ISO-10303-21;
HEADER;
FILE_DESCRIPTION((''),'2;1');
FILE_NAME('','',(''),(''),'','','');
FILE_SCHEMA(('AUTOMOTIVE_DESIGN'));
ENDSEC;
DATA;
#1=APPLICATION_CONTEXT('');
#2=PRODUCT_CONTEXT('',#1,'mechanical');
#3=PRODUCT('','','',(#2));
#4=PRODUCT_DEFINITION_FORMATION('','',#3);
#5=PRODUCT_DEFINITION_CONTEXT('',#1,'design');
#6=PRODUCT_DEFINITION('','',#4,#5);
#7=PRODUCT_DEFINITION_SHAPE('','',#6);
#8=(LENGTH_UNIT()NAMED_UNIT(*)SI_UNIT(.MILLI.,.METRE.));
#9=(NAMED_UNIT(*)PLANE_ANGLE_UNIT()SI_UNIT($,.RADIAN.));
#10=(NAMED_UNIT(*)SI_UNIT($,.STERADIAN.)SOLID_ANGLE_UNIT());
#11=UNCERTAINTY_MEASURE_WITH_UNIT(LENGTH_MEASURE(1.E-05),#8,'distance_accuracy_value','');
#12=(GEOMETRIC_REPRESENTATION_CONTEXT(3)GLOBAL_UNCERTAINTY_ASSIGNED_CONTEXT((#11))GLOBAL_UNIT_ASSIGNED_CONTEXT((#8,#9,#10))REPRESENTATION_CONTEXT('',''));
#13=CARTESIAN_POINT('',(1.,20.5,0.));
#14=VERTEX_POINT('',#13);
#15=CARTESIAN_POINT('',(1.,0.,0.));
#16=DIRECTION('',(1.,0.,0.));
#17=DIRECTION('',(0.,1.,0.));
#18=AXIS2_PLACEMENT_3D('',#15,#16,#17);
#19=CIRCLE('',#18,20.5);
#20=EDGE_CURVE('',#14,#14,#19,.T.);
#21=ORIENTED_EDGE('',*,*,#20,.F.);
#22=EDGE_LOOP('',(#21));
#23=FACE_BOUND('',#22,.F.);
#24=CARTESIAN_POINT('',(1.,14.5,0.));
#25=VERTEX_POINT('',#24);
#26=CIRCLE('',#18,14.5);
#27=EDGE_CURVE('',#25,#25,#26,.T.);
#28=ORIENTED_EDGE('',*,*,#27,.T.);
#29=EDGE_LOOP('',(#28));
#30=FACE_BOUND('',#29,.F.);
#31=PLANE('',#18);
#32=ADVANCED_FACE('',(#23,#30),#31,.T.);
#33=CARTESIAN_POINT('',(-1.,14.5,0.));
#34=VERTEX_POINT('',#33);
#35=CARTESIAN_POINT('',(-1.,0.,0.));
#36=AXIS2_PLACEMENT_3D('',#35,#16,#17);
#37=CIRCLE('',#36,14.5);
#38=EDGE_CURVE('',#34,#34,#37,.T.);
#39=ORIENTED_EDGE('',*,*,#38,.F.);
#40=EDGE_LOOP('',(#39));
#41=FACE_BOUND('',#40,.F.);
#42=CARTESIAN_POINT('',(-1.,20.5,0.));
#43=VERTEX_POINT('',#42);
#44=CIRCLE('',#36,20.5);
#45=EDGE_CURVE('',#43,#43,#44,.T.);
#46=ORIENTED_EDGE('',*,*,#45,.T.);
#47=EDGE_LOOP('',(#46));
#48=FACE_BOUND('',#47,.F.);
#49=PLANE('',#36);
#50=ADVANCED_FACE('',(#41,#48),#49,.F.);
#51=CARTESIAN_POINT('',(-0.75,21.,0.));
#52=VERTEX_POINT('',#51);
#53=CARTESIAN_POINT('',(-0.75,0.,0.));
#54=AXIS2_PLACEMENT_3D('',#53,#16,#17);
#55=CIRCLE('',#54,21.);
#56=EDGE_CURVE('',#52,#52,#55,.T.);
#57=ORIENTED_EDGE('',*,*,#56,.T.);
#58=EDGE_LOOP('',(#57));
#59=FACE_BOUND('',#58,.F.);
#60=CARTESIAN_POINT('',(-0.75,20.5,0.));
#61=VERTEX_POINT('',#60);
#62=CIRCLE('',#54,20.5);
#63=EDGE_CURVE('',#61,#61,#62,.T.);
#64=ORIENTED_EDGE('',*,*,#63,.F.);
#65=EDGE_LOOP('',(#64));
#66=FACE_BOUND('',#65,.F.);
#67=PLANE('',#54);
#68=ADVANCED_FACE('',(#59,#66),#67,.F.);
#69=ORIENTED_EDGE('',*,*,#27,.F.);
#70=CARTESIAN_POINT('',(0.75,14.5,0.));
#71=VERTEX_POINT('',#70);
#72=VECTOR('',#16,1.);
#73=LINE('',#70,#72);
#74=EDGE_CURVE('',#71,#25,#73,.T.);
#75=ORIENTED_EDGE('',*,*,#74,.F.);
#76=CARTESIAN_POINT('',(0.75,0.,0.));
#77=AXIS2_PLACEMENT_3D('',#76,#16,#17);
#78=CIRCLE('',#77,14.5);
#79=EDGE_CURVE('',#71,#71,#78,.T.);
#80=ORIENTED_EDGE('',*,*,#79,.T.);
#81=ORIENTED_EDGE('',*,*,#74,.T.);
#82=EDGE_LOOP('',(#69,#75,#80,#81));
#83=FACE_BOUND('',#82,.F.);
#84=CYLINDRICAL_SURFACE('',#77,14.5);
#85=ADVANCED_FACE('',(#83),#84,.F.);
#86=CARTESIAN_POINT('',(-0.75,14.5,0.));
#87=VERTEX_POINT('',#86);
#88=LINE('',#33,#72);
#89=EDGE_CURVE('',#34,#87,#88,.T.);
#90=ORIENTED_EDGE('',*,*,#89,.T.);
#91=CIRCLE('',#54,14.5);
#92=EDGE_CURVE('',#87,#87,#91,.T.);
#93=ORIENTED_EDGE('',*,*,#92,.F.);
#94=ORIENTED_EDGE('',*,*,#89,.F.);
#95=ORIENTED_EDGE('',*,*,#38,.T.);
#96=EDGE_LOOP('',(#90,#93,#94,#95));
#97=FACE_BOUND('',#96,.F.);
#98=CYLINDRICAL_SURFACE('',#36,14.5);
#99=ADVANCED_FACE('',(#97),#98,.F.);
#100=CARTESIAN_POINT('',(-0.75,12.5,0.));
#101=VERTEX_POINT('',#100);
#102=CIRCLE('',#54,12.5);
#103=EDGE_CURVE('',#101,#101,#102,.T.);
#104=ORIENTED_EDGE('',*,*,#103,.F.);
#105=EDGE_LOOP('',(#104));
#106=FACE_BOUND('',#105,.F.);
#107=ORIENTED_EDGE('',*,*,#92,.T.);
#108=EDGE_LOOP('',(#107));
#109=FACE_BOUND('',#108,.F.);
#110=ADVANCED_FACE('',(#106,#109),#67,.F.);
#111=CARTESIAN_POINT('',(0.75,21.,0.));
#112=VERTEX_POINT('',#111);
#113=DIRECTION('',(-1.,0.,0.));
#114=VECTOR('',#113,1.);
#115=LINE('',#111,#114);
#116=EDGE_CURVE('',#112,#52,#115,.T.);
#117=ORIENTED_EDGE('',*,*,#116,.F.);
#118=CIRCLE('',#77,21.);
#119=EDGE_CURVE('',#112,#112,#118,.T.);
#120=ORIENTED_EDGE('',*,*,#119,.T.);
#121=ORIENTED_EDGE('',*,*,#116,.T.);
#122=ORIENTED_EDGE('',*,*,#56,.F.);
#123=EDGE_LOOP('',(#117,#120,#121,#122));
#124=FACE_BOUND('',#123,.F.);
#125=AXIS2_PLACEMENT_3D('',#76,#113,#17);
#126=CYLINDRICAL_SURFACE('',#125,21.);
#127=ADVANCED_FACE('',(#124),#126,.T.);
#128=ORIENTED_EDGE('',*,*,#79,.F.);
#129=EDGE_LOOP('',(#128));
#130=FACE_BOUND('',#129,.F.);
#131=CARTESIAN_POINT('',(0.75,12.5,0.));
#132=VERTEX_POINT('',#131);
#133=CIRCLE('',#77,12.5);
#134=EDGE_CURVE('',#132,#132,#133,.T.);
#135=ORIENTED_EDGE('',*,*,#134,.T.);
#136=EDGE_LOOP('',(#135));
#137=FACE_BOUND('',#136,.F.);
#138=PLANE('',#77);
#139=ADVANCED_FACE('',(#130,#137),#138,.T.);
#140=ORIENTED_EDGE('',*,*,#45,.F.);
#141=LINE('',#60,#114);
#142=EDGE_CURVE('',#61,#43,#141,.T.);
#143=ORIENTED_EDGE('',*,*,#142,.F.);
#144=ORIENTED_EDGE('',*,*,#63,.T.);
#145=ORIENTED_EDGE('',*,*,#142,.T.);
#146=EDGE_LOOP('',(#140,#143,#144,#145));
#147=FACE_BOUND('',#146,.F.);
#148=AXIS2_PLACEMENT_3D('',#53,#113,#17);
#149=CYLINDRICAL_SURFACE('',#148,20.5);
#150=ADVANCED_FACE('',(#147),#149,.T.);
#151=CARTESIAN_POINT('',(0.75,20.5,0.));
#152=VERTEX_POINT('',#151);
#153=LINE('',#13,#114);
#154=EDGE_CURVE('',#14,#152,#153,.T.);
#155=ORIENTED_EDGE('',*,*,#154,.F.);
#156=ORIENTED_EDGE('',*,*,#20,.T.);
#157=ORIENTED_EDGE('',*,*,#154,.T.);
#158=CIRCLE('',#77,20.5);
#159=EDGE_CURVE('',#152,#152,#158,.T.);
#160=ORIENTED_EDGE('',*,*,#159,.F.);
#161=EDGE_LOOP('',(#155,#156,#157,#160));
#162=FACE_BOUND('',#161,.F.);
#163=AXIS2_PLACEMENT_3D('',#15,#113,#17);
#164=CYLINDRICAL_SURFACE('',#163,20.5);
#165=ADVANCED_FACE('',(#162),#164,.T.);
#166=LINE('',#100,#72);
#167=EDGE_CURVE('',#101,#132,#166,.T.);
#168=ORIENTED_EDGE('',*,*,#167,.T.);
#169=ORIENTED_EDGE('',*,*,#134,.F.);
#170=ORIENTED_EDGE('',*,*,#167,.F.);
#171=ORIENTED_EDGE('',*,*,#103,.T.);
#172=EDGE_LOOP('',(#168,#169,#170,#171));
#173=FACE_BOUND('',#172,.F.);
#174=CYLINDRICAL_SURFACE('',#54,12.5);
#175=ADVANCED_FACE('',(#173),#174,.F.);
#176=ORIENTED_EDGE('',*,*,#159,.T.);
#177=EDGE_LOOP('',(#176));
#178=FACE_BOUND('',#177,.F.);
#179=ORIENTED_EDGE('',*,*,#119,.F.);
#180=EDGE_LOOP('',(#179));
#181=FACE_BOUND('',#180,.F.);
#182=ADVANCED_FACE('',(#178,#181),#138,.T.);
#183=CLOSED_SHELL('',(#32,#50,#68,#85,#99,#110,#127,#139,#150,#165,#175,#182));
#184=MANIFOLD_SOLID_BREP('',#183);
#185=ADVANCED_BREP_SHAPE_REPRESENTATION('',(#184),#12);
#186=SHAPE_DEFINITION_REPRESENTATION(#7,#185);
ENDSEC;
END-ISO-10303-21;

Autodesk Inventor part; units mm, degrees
sketch "Sketch_1" plane through (0, 0, 0) normal (0, 0, 1) x (1, 0, 0)
  line L0 (50, 0) -> (-50, 0)
  line L1 (-1, 20.5) -> (-1, 14.5)
  line L2 (-1, 14.5) -> (-0.75, 14.5)
  line L3 (-0.75, 14.5) -> (-0.75, 12.5)
  line L4 (-0.75, 12.5) -> (0.75, 12.5)
  line L5 (0.75, 12.5) -> (0.75, 14.5)
  line L6 (0.75, 14.5) -> (1, 14.5)
  line L7 (1, 14.5) -> (1, 20.5)
  line L8 (1, 20.5) -> (0.75, 20.5)
  line L9 (0.75, 20.5) -> (0.75, 21)
  line L10 (0.75, 21) -> (-0.75, 21)
  line L11 (-0.75, 21) -> (-0.75, 20.5)
  line L12 (-0.75, 20.5) -> (-1, 20.5)
revolve "Revolution1" add sketch "Sketch_1" angle 360 about axis through (50, 0, 0) along (1, 0, 0)
ref_plane "core_to_washer_XY" through (0, 0, 0) normal (1, 0, 0) x (0, 0, -1)
ref_plane "core_to_washer_YZ" through (0, 0, 0) normal (0, 0, -1) x (0, 1, 0)
ref_plane "core_to_washer_ZX" through (0, 0, 0) normal (0, 1, 0) x (1, 0, 0)
ref_plane "core_to_washer1_XY" through (0, 0, 0) normal (-1, 0, 0) x (0, 0, -1)
ref_plane "core_to_washer1_YZ" through (0, 0, 0) normal (0, 0, -1) x (0, -1, 0)
ref_plane "core_to_washer1_ZX" through (0, 0, 0) normal (0, -1, 0) x (-1, 0, 0)
properties part number "BA2542" material "ステンレス鋼 440C"
